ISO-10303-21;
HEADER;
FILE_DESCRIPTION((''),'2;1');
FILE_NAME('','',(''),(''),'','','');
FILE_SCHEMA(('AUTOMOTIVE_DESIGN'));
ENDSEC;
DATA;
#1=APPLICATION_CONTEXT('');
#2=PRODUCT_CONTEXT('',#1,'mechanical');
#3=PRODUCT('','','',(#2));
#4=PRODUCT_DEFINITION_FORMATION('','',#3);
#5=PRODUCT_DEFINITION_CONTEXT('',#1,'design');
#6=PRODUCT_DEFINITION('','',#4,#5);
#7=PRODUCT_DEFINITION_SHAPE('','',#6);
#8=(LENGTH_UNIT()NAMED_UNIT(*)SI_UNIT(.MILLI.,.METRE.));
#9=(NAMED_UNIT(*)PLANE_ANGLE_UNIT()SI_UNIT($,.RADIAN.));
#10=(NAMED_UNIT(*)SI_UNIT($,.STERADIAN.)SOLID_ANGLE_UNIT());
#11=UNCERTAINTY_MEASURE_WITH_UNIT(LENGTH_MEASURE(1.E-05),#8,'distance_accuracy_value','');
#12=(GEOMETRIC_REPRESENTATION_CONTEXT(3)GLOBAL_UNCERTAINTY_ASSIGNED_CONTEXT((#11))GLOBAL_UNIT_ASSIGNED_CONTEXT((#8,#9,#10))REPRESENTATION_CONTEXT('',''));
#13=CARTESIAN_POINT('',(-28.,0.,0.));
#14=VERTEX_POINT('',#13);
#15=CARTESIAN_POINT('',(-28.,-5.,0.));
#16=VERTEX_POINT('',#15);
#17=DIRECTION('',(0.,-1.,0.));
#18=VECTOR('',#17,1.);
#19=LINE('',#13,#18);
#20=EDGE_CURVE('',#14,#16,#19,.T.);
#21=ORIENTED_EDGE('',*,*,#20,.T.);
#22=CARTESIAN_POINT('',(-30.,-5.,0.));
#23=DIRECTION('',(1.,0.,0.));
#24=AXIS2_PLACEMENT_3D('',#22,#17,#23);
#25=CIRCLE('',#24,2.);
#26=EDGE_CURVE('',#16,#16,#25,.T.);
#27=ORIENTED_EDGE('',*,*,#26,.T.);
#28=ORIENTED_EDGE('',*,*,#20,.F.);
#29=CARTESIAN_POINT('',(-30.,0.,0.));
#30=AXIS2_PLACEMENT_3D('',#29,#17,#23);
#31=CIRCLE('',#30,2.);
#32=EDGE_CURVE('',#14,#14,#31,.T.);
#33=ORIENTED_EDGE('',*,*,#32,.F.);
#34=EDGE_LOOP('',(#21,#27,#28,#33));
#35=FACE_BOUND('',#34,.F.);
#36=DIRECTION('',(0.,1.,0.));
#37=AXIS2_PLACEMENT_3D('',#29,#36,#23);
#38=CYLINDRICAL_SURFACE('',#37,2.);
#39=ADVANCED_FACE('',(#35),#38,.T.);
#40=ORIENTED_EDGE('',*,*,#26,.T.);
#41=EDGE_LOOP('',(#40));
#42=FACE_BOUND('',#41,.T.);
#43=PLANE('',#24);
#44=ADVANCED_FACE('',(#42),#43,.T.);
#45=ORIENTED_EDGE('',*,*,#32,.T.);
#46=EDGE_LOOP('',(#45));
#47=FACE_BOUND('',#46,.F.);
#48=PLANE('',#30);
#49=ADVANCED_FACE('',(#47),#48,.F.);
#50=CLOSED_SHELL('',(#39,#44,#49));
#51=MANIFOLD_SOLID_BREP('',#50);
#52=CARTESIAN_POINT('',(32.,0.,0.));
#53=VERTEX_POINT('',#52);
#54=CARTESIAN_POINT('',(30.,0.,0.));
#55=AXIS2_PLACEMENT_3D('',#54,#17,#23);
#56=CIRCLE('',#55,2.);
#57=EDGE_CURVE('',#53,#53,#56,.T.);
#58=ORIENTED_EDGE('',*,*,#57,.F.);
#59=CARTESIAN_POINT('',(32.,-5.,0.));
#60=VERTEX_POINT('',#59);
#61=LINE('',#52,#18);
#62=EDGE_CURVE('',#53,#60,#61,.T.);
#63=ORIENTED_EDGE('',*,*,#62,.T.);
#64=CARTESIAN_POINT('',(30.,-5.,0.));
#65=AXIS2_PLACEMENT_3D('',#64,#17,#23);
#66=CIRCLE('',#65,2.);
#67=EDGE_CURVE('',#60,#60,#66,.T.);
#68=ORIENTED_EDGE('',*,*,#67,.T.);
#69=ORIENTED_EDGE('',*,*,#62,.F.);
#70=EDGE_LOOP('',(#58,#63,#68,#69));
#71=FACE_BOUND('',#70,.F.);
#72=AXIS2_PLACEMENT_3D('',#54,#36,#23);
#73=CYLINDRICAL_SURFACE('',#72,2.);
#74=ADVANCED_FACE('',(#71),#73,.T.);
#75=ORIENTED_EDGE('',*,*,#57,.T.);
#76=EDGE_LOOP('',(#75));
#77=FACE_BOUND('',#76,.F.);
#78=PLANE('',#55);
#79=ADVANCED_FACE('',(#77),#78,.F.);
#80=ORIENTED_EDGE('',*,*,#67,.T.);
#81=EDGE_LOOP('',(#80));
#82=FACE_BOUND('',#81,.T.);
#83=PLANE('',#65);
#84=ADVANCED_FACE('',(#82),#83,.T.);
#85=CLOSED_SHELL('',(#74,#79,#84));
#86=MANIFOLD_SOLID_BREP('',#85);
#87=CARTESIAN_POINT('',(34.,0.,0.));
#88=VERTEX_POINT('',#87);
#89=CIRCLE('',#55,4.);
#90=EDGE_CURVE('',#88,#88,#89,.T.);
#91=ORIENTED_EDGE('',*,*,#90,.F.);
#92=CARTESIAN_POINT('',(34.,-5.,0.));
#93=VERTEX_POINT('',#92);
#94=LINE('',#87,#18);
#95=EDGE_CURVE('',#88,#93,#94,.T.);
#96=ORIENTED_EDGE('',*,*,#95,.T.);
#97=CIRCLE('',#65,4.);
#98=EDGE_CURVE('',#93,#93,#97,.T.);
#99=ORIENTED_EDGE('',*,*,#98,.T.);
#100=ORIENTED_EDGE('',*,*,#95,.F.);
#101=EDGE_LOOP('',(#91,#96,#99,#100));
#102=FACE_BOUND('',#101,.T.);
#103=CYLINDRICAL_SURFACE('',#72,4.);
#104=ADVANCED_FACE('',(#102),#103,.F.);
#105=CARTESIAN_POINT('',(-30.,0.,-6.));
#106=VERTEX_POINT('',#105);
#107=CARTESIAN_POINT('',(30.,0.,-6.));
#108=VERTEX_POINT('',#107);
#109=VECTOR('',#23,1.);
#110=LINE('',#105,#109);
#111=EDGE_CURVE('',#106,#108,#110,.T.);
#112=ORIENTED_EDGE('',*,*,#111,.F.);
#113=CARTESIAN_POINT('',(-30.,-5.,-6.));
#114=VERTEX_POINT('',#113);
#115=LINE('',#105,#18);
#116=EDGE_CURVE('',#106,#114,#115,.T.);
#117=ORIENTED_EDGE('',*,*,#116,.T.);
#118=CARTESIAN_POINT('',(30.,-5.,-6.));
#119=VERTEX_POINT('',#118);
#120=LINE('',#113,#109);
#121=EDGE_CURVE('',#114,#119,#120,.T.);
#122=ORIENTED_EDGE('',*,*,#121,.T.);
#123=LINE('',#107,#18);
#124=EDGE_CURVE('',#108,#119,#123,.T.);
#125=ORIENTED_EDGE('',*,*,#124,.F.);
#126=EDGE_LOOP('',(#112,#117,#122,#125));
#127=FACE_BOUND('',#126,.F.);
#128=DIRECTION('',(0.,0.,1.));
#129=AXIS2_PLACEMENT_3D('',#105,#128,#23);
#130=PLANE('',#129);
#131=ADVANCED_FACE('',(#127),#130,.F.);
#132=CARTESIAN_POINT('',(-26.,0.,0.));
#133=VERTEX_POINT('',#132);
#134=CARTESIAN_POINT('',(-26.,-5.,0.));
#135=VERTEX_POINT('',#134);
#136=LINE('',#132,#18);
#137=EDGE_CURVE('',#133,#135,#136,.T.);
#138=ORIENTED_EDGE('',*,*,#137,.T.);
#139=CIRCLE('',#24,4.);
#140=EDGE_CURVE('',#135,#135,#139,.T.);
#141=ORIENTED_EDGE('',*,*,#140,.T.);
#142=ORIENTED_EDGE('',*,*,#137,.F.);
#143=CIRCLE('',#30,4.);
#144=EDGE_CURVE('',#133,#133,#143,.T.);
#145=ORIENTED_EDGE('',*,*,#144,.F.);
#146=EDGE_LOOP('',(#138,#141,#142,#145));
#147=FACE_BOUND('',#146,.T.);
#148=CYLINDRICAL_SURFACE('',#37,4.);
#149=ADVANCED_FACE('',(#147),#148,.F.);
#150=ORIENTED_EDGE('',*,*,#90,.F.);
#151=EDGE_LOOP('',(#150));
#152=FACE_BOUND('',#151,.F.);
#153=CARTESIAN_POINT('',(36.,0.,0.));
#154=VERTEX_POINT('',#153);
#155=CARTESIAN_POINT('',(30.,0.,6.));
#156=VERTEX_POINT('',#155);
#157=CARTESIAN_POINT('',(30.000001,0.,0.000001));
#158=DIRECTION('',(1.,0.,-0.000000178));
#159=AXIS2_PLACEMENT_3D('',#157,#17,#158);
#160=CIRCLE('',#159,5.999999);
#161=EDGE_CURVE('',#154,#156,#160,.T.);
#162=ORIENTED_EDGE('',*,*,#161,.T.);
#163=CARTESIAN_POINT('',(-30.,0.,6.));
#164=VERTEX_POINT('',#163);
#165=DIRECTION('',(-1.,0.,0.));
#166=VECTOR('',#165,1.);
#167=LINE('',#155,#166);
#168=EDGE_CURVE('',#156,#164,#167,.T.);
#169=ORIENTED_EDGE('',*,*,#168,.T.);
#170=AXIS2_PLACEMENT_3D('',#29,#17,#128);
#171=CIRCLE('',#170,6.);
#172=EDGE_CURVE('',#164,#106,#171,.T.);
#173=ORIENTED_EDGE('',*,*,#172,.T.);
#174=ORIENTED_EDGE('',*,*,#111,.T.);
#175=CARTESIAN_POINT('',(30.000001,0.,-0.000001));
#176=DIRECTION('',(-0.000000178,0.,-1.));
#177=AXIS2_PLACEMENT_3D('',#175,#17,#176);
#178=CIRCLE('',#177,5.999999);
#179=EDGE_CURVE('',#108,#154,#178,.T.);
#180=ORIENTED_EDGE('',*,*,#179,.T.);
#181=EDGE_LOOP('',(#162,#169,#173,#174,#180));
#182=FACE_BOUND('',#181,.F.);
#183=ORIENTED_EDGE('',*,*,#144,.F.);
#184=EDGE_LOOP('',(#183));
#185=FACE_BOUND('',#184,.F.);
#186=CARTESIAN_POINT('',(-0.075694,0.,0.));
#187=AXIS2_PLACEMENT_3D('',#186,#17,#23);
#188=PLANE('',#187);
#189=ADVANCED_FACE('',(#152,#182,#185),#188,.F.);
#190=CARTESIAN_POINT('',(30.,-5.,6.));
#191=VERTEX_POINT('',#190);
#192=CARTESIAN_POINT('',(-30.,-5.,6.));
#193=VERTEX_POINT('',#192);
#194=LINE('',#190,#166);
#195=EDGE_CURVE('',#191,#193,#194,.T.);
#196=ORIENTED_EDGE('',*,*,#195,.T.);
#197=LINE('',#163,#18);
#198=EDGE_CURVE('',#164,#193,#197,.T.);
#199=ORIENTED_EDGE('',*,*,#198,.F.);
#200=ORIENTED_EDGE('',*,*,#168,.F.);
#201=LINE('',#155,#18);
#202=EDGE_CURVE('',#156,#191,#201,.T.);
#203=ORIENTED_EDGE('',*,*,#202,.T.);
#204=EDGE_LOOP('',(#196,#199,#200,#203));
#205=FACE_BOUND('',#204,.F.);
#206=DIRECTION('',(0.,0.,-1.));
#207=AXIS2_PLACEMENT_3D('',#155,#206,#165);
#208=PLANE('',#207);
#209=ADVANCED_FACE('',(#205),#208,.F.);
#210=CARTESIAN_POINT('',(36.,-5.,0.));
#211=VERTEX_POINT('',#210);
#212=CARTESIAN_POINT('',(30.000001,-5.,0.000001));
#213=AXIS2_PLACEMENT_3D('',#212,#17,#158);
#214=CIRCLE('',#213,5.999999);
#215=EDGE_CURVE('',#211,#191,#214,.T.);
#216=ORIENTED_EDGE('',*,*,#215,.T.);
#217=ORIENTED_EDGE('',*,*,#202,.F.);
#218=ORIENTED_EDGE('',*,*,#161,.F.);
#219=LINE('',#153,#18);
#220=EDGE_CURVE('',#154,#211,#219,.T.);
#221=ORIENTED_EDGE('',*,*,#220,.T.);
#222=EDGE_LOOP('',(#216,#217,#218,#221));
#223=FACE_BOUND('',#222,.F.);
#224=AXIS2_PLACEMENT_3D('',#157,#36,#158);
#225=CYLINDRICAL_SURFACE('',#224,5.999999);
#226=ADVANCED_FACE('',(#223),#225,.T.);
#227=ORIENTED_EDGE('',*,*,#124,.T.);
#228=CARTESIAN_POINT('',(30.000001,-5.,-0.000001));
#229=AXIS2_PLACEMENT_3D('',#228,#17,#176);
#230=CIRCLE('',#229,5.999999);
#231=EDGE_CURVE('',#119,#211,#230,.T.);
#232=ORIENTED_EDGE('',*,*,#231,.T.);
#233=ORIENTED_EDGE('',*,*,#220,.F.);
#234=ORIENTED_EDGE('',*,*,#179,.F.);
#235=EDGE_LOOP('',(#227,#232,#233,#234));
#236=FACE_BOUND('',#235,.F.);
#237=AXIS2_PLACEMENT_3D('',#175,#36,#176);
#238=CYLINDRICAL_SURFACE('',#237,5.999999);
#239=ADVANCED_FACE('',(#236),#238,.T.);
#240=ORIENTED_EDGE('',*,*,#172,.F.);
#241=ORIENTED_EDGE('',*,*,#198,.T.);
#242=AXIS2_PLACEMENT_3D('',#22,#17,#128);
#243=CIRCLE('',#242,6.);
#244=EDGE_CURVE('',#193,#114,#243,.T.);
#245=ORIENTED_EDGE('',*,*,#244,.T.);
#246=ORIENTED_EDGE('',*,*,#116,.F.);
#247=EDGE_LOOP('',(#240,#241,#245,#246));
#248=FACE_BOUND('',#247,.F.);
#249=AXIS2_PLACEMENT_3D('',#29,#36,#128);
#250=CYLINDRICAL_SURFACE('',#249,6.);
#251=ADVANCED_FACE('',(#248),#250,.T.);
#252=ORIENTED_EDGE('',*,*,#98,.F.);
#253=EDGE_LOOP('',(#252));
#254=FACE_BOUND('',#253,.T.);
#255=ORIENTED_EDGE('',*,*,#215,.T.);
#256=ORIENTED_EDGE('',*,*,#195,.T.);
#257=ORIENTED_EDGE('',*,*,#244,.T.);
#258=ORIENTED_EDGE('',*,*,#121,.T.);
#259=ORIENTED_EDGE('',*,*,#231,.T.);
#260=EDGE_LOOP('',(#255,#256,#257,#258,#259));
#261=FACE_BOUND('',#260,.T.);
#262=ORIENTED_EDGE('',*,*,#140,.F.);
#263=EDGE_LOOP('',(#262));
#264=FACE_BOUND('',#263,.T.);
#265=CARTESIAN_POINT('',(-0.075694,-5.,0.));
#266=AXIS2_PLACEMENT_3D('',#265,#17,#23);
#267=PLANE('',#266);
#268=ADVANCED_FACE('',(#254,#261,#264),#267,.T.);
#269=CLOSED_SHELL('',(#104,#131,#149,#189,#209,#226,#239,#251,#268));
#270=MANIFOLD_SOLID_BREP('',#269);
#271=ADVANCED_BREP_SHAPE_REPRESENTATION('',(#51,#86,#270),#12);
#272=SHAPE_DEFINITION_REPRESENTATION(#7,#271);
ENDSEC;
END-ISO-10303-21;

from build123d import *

# Parameters (mm, degrees)
F0_R     = 4
F0_R_2   = 2
F1_DEPTH = 5


with BuildPart() as f1:
    # F0 (on Front) → F1 (new body)
    with BuildSketch(Plane.XZ):
        with BuildLine():
            ThreePointArc((-30, 6), (-25.757359, 4.242641), (-24, 0))
            ThreePointArc((-24, 0), (-25.757359, -4.242641), (-30, -6))
            Line((-30, -6), (0, -6))
            Line((0, -6), (30, -6))
            ThreePointArc((30, -6), (24, 0), (30, 6))
            Line((30, 6), (0, 6))
            Line((0, 6), (-30, 6))
        make_face()
        with BuildLine():
            ThreePointArc((36, 0), (34.242641, 4.242641), (30, 6))
            ThreePointArc((30, 6), (24, 0), (30, -6))
            ThreePointArc((30, -6), (34.242641, -4.242641), (36, 0))
        make_face()
        with Locations((30, 0)):
            Circle(F0_R, mode=Mode.SUBTRACT)
        with Locations((30, 0)):
            Circle(F0_R_2)
        with BuildLine():
            ThreePointArc((-30, -6), (-25.757359, -4.242641), (-24, 0))
            ThreePointArc((-24, 0), (-25.757359, 4.242641), (-30, 6))
            ThreePointArc((-30, 6), (-36, 0), (-30, -6))
        make_face()
        with Locations((-30, 0)):
            Circle(F0_R, mode=Mode.SUBTRACT)
        with Locations((-30, 0)):
            Circle(F0_R_2)
    extrude(amount=F1_DEPTH)


solid = f1.part
